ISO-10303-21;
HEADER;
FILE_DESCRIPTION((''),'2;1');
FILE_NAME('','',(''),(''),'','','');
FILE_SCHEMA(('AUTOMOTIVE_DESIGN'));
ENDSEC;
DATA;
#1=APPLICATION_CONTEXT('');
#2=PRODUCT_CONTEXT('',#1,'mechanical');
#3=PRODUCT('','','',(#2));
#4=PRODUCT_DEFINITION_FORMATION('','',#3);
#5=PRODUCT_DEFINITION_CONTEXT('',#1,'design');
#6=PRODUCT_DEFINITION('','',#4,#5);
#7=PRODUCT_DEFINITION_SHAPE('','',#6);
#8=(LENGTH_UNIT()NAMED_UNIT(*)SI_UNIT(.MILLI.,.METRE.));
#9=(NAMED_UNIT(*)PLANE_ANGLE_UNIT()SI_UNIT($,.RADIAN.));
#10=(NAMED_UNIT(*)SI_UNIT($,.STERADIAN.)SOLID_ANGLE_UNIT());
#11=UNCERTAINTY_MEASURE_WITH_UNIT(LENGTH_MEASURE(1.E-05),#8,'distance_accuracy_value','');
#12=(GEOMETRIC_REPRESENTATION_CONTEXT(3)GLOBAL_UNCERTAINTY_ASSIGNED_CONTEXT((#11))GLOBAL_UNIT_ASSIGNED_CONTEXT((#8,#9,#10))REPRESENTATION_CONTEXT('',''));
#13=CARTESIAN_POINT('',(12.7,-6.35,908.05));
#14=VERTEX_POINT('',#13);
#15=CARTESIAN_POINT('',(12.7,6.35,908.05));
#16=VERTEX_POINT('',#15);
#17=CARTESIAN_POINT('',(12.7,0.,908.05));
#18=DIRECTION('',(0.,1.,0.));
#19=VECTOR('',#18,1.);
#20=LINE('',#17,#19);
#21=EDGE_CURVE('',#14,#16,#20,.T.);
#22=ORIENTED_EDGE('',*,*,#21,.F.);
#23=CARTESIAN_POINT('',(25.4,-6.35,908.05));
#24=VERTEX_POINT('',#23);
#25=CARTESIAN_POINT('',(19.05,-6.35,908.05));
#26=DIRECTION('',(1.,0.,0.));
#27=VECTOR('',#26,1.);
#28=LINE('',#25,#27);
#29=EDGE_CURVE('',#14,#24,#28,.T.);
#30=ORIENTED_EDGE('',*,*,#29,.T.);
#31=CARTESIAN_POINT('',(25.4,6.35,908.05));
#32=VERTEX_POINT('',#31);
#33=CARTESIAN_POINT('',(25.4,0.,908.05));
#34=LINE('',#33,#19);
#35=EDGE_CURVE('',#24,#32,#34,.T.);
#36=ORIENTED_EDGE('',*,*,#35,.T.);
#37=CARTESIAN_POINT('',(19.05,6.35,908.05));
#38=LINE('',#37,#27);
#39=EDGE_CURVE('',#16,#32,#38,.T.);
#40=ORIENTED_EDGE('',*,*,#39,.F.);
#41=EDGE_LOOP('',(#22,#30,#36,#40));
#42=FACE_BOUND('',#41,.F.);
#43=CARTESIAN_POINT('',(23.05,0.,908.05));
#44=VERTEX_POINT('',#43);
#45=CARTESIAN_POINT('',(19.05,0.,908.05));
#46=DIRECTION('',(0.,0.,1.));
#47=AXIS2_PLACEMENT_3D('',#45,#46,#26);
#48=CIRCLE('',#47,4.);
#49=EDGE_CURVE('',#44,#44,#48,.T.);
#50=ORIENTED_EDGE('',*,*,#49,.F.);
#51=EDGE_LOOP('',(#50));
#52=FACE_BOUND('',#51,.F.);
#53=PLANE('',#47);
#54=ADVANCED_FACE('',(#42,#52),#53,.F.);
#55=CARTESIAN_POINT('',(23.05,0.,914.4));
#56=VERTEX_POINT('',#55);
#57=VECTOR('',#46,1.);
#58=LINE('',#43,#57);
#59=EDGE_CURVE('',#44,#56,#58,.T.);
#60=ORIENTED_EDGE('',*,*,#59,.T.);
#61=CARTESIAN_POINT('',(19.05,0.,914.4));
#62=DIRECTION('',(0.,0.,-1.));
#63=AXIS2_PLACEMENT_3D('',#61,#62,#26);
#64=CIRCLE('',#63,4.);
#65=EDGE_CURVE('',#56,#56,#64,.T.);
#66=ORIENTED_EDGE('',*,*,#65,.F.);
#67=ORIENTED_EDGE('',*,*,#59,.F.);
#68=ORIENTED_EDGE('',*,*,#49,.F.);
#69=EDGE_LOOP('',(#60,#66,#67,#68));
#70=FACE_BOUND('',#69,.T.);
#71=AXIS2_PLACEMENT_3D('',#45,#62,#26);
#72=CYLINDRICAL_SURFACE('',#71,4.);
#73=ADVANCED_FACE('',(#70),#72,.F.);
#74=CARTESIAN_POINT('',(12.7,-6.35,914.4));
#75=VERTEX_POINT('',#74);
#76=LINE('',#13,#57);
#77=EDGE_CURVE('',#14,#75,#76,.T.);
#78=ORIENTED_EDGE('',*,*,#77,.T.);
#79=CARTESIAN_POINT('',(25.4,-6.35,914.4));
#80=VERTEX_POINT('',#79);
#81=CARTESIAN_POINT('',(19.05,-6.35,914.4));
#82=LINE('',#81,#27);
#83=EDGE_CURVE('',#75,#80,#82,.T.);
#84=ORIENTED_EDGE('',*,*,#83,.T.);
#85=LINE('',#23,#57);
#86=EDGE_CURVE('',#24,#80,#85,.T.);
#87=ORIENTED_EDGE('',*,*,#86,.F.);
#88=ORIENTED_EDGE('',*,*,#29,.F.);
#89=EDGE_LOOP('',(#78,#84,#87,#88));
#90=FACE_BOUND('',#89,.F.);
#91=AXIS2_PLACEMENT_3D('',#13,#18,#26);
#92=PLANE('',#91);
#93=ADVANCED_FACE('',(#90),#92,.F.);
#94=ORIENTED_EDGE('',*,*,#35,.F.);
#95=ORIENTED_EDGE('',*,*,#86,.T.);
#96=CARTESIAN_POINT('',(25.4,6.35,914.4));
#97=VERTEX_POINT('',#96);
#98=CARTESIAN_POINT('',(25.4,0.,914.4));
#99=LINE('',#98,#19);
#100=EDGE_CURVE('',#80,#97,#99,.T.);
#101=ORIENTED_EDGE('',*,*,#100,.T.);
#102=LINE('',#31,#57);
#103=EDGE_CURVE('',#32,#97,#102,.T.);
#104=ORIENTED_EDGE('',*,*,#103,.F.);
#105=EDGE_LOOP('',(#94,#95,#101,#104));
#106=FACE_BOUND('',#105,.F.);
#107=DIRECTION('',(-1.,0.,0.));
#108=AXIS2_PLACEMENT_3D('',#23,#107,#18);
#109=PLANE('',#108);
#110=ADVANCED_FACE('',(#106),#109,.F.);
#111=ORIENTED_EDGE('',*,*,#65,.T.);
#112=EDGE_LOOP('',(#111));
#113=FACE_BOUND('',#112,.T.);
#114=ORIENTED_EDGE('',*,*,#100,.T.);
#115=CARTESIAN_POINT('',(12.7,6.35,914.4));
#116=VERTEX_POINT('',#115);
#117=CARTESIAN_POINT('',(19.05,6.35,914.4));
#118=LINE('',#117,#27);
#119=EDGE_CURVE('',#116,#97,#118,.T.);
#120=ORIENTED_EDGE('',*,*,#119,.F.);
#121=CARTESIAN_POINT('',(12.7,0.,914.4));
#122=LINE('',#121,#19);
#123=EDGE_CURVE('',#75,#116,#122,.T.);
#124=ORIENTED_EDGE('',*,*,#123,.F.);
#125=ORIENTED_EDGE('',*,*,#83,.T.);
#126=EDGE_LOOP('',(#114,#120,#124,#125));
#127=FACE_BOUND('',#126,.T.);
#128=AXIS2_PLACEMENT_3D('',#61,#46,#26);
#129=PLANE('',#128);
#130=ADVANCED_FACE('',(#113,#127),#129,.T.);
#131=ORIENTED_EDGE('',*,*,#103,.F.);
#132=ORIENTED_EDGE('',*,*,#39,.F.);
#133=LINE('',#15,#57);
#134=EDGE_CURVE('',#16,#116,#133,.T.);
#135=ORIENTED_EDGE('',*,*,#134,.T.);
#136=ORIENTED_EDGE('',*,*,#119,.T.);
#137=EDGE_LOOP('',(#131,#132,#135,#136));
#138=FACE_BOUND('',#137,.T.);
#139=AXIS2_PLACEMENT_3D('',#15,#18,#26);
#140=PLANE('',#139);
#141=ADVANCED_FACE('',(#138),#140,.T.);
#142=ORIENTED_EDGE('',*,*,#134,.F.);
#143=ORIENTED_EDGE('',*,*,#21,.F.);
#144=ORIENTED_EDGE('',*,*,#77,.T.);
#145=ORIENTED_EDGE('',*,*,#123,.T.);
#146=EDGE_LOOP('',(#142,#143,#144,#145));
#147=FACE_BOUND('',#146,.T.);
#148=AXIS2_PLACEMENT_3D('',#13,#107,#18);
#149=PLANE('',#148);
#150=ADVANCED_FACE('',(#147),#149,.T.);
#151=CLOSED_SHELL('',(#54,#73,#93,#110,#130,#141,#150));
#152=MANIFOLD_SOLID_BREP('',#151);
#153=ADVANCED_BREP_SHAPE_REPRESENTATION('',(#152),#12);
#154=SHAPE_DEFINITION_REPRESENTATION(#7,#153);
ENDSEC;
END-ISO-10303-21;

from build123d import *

# Parameters (mm, degrees)
CYLINDER039_R     = 4
CYLINDER039_DEPTH = 10
BOX018_W          = 12.7
BOX018_H          = 12.7
BOX018_DEPTH      = 6.35


with BuildPart() as cylinder039:
    # Cylinder039 → Cylinder039 (new body)
    with BuildSketch(Plane(origin=(6.35, 6.35, 0), x_dir=(1, 0, 0), z_dir=(0, 0, 1))):
        Circle(CYLINDER039_R)
    extrude(amount=CYLINDER039_DEPTH)


with BuildPart() as m8_nut005:
    # Box018 → Box018 (new body)
    with BuildSketch(Plane.XY):
        with Locations((6.35, 6.35)):
            Rectangle(BOX018_W, BOX018_H)
    extrude(amount=BOX018_DEPTH)

    # Cut016: cut Cylinder039
    add(cylinder039.part, mode=Mode.SUBTRACT)


with BuildPart() as m8_nut005_1:
    # Cut016 placement: moved
    add(m8_nut005.part.moved(Location((12.7, -6.35, 908.05))))


solid = m8_nut005_1.part
